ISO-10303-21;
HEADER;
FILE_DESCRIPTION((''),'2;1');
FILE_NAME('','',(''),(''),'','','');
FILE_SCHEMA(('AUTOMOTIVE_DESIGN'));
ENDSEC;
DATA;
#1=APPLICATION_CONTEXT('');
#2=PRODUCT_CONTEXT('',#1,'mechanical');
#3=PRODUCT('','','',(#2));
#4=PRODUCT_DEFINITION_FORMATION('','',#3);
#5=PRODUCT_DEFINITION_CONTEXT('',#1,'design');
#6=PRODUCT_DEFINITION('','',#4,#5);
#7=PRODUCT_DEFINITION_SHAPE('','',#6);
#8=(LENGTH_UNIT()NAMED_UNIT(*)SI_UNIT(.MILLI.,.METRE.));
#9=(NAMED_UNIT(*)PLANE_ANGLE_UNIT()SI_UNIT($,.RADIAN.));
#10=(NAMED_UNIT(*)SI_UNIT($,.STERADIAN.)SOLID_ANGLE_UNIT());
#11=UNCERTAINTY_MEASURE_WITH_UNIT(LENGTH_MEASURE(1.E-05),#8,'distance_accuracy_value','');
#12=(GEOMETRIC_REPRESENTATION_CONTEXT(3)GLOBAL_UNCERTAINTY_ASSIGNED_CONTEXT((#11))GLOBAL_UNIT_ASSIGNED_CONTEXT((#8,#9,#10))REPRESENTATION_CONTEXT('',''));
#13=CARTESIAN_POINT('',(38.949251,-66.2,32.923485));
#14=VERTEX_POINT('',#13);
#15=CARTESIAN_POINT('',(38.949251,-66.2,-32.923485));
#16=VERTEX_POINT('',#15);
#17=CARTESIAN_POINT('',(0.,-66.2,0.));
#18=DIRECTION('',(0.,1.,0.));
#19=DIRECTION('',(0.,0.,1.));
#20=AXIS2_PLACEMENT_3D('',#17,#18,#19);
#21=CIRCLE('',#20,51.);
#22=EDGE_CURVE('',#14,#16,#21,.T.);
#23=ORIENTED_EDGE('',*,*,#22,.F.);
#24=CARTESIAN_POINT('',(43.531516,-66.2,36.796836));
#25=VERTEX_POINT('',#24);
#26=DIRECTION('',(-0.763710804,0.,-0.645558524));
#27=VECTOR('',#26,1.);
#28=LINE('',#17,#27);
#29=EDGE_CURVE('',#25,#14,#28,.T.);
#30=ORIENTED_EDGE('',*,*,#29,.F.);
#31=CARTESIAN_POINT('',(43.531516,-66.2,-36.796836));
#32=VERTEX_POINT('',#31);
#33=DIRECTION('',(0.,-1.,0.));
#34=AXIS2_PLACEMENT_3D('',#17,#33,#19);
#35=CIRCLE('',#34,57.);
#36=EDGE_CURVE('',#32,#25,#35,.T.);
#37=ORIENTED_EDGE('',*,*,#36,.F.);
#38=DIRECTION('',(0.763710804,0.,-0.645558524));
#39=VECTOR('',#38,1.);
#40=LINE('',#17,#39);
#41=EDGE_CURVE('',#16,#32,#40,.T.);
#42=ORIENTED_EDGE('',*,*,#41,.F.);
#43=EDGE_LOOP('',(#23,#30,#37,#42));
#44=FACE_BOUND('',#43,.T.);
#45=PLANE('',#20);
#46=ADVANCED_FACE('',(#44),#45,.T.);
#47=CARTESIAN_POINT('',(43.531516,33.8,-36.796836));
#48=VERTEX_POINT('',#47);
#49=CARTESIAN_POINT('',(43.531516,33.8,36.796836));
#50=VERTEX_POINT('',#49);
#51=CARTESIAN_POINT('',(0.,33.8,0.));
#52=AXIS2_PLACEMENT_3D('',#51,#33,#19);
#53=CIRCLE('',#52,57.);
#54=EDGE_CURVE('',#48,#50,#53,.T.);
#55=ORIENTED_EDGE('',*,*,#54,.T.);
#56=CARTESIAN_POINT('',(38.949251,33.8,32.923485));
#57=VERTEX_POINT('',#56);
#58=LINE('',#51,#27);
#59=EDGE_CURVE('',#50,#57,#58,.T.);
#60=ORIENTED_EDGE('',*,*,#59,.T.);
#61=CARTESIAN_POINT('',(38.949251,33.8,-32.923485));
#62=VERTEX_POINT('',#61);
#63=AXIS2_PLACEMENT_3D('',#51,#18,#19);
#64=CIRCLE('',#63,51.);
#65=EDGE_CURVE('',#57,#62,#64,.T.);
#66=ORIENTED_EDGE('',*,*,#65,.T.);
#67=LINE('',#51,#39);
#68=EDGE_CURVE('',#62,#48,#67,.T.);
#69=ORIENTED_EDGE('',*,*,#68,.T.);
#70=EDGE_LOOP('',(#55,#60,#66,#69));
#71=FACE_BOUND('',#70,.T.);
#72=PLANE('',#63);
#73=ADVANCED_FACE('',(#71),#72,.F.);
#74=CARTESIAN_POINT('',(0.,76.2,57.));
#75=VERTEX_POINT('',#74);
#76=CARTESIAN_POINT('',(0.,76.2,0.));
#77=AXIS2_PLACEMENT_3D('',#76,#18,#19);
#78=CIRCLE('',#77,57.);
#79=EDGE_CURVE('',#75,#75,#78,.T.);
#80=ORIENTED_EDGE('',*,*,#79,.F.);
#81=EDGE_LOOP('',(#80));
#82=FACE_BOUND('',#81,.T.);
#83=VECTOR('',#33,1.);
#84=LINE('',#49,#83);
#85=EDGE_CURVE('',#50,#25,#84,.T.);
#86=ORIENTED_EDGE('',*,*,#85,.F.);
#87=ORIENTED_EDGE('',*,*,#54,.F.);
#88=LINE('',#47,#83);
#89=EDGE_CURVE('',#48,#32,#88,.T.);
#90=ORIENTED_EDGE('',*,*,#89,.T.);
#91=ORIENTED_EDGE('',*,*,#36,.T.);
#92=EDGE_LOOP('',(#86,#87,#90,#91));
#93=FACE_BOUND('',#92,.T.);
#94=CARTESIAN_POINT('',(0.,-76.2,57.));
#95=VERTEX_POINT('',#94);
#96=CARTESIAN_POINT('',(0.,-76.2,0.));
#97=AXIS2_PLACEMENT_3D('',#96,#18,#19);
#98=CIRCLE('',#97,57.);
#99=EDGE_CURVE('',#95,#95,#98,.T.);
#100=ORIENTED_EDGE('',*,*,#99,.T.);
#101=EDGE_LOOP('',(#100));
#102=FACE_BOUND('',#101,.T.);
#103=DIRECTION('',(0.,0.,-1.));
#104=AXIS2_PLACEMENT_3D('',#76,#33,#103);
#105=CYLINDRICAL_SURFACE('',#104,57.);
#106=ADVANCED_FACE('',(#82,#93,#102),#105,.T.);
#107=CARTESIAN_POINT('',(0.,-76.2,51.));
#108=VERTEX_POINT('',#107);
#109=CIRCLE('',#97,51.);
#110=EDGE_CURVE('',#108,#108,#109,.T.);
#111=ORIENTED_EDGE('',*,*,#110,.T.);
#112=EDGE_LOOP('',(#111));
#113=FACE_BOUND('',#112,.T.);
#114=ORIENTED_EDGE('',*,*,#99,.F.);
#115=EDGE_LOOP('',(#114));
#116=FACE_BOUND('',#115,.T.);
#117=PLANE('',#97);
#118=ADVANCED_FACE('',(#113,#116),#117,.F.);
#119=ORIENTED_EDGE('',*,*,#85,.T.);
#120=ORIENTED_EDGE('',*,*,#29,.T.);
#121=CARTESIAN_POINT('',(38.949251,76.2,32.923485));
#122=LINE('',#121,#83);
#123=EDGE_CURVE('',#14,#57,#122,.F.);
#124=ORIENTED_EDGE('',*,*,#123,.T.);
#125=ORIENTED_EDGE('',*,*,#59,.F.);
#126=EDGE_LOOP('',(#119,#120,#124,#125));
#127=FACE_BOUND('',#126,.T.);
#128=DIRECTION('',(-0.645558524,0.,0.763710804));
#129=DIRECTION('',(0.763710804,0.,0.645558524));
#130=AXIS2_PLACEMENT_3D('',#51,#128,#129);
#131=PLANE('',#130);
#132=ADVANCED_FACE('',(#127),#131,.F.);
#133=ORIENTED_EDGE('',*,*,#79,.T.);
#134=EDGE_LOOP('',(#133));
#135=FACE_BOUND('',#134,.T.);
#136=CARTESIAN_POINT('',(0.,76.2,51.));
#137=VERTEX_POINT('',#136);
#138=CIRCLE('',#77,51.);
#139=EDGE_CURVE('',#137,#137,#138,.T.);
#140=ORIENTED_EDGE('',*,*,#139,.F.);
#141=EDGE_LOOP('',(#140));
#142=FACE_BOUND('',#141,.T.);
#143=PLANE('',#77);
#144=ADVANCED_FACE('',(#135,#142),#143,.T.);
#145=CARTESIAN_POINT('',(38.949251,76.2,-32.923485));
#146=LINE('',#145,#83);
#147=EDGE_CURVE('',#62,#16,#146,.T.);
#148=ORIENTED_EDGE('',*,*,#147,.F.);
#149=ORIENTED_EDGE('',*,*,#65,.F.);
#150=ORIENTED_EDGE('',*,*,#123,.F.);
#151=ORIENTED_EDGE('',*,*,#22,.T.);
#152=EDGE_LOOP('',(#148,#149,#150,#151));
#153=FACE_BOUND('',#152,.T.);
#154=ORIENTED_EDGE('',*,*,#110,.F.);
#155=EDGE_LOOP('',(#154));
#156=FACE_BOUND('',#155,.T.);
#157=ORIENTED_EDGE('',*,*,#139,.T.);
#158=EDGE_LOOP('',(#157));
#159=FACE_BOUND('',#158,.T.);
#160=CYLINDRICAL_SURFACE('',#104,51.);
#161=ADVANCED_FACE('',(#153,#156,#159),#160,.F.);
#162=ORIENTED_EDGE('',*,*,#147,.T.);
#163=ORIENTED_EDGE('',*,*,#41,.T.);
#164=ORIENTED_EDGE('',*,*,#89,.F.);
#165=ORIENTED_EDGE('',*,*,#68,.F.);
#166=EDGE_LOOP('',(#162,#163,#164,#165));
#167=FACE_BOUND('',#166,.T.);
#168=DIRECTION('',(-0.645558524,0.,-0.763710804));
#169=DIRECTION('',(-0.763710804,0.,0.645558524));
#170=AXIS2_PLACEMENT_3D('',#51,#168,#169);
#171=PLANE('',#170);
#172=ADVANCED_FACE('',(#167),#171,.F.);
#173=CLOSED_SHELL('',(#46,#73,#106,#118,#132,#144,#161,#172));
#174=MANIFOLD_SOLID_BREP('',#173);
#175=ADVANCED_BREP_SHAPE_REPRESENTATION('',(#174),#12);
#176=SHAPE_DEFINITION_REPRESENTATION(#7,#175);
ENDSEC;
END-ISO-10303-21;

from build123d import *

# Parameters (mm, degrees)
PVC_R               = 57
PVC_R_2             = 51
BOSS_EXTRUDE1_DEPTH = 76.2
CUT_EXTRUDE1_START  = -110
CUT_EXTRUDE1_DEPTH  = 100


with BuildPart() as part:
    # PVC → Boss-Extrude1 (new, symmetric)
    with BuildSketch(Plane(origin=(0, 0, 0), x_dir=(1, 0, 0), z_dir=(0, 1, 0))):
        with Locations(Location((0, 0, 0), (0, 0, 90))):
            Circle(PVC_R)
        with Locations(Location((0, 0, 0), (0, 0, 90))):
            Circle(PVC_R_2, mode=Mode.SUBTRACT)
    extrude(amount=BOSS_EXTRUDE1_DEPTH, both=True)

    # Sketch1 → Cut-Extrude1 (cut)
    with BuildSketch(Plane.XZ.offset(76.2).offset(CUT_EXTRUDE1_START)):
        with BuildLine():
            Line((0, 0), (43.531515848, 36.796835842))
            ThreePointArc((43.531515848, 36.796835842), (57, 0), (43.531515848, -36.796835842))
            Line((43.531515848, -36.796835842), (0, 0))
        make_face()
    extrude(amount=CUT_EXTRUDE1_DEPTH, mode=Mode.SUBTRACT)


solid = part.part
